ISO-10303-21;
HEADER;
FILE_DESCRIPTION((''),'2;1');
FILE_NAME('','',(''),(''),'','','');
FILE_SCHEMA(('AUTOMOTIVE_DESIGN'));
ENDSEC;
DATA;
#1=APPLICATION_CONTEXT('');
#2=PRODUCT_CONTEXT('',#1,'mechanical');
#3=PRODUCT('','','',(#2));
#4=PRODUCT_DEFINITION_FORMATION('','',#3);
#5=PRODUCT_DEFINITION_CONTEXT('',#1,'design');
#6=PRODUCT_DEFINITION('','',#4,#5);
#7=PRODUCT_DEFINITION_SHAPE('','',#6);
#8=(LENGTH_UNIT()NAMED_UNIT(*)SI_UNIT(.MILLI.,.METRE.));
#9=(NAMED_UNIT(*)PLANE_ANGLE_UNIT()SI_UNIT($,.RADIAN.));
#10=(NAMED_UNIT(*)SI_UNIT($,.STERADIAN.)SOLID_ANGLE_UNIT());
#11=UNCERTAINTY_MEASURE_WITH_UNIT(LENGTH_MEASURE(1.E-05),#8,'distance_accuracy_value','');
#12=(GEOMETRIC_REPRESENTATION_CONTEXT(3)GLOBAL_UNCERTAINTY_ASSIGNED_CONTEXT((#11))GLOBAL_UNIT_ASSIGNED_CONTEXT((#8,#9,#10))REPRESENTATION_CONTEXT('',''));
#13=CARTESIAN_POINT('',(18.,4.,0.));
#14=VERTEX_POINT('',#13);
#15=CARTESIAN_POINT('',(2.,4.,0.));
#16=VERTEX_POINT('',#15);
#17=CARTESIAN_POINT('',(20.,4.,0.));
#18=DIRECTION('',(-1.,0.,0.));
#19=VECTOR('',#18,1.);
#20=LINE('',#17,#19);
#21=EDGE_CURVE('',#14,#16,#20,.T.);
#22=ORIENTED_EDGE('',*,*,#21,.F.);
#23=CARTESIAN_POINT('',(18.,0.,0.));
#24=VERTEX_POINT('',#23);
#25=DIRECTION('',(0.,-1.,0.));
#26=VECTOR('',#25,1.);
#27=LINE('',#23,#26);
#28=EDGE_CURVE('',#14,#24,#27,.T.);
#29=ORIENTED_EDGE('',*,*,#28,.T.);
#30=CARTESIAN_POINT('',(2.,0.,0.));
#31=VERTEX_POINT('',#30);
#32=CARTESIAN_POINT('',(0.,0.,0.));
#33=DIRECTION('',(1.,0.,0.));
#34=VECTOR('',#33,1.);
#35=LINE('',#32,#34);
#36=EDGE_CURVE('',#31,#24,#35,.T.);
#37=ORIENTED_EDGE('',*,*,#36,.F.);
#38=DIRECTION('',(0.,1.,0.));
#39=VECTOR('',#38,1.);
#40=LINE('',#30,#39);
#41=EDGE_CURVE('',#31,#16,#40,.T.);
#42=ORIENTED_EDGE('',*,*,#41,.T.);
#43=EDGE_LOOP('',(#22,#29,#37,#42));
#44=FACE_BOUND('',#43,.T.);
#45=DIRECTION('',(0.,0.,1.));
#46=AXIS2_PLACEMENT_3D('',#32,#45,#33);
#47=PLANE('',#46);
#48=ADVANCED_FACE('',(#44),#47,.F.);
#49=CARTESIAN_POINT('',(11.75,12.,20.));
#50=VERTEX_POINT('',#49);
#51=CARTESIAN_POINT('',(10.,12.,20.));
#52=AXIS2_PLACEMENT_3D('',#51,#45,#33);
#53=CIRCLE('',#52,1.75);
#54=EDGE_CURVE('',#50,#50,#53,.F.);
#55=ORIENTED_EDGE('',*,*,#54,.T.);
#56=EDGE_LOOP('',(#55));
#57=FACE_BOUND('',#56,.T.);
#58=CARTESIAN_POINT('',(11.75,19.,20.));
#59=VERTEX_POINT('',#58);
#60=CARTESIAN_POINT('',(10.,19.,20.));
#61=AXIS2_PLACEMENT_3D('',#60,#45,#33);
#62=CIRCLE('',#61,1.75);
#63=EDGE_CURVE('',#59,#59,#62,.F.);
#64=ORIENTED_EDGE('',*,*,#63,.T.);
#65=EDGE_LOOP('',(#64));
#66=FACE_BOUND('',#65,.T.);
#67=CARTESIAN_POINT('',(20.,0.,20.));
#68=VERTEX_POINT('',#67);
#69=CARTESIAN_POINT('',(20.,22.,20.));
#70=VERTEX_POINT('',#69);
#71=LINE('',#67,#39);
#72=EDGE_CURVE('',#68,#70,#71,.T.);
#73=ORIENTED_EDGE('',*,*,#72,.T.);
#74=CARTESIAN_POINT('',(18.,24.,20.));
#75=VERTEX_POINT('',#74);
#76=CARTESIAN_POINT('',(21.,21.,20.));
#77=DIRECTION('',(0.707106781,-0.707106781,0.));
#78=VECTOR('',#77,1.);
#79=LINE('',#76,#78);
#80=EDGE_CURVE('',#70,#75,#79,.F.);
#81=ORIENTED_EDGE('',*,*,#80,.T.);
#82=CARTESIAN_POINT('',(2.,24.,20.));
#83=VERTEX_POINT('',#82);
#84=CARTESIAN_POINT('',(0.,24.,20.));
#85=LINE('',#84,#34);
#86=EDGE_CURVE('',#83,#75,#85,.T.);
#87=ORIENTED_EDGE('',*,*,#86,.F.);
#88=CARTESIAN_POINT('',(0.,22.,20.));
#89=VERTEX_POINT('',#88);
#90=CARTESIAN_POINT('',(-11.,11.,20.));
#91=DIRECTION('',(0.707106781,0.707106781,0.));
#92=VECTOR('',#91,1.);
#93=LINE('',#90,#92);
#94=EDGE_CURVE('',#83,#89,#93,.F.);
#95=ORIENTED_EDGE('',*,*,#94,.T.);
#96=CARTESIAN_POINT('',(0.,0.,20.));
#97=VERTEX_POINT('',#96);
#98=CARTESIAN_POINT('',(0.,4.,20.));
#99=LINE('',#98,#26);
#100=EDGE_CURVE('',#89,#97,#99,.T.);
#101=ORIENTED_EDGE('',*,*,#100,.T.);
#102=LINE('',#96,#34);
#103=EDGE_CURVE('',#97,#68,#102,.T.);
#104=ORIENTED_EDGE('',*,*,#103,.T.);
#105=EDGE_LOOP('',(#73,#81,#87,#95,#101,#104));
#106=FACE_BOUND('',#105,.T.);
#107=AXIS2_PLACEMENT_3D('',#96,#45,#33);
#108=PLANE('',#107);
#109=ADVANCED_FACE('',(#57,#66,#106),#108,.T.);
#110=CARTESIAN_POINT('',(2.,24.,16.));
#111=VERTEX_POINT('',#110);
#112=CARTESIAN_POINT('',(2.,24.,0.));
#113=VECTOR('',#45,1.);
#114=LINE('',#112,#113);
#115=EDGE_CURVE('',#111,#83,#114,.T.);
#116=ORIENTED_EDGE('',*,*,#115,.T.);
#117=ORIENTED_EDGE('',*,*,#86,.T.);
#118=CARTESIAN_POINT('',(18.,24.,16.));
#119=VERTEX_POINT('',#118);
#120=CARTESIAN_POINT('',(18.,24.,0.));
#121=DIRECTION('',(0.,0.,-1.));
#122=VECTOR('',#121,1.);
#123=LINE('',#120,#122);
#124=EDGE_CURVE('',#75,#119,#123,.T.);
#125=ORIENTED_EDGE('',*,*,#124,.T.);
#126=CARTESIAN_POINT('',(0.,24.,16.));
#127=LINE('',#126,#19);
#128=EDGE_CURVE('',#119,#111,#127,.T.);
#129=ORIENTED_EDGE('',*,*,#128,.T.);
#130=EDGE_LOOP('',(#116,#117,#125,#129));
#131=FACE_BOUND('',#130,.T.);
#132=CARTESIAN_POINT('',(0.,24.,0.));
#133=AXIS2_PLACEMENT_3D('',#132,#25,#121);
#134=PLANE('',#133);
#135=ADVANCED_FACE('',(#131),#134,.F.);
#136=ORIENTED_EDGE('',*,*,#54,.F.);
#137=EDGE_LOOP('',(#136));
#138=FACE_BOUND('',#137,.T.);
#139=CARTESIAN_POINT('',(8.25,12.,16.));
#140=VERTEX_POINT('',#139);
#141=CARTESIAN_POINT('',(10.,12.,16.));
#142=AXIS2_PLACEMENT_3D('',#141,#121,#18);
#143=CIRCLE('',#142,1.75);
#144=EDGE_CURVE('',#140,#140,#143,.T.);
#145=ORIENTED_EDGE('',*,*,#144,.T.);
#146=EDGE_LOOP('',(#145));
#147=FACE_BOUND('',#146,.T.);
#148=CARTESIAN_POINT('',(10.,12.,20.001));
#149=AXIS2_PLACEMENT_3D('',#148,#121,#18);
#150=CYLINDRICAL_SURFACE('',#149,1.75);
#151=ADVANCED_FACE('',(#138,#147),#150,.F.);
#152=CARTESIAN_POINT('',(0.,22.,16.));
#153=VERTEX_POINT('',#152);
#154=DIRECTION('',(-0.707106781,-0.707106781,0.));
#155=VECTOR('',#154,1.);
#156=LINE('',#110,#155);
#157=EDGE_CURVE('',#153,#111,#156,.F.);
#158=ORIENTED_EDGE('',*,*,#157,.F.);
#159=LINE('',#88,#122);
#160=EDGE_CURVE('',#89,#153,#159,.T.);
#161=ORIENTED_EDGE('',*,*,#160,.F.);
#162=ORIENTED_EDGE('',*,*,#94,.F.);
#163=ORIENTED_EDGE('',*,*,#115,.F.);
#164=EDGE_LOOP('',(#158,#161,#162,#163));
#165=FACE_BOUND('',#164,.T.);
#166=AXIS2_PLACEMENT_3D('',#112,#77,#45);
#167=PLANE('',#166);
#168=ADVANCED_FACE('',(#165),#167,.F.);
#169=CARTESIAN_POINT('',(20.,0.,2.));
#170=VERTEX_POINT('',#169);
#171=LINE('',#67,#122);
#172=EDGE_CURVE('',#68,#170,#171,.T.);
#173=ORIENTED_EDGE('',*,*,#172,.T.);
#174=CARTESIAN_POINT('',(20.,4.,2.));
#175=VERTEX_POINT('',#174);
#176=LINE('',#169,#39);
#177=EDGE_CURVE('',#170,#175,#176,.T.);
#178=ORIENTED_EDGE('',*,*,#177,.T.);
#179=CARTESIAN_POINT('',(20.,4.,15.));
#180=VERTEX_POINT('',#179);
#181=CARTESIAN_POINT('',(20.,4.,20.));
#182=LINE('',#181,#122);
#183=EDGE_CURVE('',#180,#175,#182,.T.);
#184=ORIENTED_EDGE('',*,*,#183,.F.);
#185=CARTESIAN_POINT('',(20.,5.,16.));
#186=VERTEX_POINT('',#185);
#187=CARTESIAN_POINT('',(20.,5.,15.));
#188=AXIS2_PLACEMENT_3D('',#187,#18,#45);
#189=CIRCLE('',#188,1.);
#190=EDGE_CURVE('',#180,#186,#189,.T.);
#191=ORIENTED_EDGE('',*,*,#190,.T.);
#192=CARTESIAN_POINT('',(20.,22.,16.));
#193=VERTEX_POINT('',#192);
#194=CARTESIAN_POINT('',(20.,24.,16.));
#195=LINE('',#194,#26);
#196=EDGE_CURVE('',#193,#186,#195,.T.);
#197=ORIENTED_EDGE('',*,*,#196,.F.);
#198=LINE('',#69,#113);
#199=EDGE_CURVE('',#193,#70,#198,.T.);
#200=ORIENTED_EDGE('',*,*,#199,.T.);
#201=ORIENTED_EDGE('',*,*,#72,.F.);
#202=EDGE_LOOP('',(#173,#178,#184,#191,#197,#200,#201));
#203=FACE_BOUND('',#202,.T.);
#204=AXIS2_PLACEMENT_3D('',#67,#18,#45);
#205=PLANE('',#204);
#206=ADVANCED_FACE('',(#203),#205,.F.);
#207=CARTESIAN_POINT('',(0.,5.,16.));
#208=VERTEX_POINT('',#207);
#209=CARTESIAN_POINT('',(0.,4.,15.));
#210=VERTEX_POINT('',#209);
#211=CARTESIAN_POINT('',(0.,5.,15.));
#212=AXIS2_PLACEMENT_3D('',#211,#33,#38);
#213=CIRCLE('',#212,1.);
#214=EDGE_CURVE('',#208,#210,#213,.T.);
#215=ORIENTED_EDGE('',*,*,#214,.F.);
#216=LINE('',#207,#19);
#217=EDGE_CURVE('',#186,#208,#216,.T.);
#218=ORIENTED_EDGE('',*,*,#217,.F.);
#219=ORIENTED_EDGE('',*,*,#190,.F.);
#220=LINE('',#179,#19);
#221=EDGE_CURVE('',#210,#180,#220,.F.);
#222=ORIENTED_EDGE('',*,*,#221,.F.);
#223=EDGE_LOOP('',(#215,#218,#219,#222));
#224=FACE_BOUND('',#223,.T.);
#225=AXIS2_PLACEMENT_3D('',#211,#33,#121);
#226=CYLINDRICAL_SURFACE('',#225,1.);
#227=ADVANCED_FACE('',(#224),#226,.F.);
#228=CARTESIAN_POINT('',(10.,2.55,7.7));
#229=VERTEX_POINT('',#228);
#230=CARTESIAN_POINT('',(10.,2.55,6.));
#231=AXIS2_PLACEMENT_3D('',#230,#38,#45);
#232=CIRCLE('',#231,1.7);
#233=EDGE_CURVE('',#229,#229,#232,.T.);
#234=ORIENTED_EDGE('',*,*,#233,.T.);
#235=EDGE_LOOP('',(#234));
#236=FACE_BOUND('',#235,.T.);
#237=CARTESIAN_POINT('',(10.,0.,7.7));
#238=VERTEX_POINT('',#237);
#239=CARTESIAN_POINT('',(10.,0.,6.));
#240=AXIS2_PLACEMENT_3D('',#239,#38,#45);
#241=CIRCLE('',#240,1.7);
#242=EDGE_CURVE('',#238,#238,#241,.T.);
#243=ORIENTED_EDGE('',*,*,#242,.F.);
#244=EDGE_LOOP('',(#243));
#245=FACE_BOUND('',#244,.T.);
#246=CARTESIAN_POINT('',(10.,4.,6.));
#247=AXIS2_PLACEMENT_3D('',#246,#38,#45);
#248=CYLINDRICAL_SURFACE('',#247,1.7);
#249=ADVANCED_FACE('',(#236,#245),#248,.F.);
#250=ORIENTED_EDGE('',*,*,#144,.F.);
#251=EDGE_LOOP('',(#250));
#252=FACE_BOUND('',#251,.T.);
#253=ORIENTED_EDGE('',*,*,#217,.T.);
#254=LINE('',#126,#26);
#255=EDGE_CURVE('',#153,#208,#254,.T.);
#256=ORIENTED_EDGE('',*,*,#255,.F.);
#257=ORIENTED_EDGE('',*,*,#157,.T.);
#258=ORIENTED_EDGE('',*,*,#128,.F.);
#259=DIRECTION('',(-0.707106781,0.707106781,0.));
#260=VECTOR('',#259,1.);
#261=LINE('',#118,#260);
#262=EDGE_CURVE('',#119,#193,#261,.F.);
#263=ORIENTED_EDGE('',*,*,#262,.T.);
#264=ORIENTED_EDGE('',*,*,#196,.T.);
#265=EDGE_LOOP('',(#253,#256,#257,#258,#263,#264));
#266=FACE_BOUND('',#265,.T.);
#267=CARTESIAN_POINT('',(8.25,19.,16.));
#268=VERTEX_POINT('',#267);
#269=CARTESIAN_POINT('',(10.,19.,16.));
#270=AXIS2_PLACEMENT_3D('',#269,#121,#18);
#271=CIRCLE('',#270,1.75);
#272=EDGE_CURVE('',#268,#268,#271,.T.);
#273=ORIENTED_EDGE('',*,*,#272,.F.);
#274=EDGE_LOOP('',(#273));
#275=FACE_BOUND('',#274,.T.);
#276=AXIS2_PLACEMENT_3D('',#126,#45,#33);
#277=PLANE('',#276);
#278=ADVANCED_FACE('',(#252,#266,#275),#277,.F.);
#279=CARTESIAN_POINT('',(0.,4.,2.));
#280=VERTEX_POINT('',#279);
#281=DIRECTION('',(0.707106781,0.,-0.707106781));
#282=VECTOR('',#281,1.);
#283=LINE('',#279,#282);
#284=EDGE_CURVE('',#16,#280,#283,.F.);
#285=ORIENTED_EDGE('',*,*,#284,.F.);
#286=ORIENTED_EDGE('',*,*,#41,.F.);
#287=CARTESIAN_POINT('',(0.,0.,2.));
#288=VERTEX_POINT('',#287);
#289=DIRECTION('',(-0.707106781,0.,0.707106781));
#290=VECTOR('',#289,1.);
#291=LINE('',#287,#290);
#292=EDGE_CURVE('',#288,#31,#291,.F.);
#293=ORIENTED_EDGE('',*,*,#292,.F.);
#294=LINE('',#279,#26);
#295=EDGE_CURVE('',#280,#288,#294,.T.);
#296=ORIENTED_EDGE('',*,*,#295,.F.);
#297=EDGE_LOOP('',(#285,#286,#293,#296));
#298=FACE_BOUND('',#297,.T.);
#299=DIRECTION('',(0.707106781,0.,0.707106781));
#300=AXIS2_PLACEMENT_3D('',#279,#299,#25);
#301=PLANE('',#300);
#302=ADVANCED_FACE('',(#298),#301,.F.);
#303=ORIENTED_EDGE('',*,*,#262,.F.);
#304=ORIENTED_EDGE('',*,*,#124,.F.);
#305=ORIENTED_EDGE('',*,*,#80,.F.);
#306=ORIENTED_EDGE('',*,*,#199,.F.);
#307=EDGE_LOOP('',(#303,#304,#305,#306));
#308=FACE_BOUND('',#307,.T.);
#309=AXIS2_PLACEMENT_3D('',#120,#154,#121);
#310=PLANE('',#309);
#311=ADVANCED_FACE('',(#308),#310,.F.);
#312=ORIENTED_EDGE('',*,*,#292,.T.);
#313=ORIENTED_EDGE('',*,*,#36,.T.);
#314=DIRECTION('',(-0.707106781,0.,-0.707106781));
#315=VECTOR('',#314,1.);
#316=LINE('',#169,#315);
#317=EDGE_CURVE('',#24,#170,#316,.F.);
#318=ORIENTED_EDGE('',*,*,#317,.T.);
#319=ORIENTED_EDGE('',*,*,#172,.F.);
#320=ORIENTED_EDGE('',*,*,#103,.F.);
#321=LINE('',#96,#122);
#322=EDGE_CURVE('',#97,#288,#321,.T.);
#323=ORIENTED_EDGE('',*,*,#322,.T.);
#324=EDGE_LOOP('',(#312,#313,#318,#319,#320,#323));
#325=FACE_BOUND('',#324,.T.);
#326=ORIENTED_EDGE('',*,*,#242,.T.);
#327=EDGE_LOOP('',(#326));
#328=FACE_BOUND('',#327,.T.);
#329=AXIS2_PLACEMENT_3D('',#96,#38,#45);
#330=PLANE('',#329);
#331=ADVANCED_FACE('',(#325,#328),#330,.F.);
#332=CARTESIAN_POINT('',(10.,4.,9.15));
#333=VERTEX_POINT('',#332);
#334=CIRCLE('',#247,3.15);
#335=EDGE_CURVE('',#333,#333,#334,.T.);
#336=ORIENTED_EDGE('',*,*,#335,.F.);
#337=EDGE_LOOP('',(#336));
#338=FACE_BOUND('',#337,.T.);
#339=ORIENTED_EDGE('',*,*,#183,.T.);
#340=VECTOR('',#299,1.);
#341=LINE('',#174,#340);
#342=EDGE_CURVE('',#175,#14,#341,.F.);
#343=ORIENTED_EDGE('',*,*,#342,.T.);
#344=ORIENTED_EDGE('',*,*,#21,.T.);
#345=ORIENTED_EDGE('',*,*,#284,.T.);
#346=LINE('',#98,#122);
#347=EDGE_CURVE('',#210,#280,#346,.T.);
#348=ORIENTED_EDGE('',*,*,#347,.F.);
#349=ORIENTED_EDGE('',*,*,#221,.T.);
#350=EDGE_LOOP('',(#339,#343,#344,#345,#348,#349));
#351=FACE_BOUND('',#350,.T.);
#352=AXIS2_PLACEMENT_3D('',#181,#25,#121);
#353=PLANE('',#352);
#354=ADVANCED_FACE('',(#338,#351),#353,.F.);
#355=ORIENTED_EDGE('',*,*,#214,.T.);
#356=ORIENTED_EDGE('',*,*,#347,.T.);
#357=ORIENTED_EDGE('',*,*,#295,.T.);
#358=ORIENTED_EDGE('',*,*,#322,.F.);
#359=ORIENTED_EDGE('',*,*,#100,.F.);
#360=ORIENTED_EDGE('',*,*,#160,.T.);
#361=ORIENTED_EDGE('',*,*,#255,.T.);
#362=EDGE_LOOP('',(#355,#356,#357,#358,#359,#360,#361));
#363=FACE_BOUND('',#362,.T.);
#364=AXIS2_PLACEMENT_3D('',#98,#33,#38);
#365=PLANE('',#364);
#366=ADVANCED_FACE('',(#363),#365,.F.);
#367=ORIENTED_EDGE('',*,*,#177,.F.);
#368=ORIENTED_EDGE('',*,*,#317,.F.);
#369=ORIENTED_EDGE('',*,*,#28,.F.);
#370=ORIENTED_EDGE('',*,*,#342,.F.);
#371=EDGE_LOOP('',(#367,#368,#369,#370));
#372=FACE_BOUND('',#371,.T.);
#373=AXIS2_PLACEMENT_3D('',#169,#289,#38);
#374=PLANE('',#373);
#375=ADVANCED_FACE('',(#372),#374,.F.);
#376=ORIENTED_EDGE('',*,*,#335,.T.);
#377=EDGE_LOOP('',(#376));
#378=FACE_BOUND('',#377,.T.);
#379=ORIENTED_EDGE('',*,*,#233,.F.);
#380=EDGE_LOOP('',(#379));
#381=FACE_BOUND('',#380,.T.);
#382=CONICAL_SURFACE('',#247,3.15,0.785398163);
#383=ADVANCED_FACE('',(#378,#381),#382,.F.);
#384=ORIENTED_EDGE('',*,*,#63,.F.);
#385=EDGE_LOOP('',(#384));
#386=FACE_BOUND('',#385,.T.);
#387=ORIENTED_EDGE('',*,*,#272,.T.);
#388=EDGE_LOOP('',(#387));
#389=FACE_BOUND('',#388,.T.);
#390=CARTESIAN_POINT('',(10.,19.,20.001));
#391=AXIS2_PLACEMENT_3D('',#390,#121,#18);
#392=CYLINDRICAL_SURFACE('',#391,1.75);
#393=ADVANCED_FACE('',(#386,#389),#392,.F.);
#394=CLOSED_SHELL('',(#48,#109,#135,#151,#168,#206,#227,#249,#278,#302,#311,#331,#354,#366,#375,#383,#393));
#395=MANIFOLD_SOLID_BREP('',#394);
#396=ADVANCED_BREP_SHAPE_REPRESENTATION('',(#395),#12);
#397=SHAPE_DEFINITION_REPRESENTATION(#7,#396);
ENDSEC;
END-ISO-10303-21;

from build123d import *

# Parameters (mm, degrees)
SCHIZZO1_W                                      = 20
SCHIZZO1_H                                      = 4
ESTRUSIONE_ESTRUSIONE1_DEPTH                    = 20
SCHIZZO2_W                                      = 20
SCHIZZO2_H                                      = 4
ESTRUSIONE_ESTRUSIONE2_DEPTH                    = 20
TAGLIO_ESTRUSIONE2_REACH                        = 6
SCHIZZO7_R                                      = 1.75
RACCORDO1_R                                     = 1
SMUSSO1_SIZE                                    = 2
SMUSSO3_SIZE                                    = 2
CSK_FOR_M3_OVAL_HEAD_MACHINE_SCREW1_D           = 3.4
CSK_FOR_M3_OVAL_HEAD_MACHINE_SCREW1_CSINK_D     = 6.3
CSK_FOR_M3_OVAL_HEAD_MACHINE_SCREW1_CSINK_ANGLE = 90


with BuildPart() as part:
    # Schizzo1 → Estrusione-Estrusione1 (new body)
    with BuildSketch(Plane.XY):
        with Locations((10, 2)):
            Rectangle(SCHIZZO1_W, SCHIZZO1_H)
    extrude(amount=ESTRUSIONE_ESTRUSIONE1_DEPTH)

    # Schizzo2 → Estrusione-Estrusione2 (add)
    with BuildSketch(Plane(origin=(0, 4, 0), x_dir=(1, 0, 0), z_dir=(0, 1, 0))):
        with Locations((10, -18)):
            Rectangle(SCHIZZO2_W, SCHIZZO2_H)
    extrude(amount=ESTRUSIONE_ESTRUSIONE2_DEPTH)

    # Schizzo7 → Taglio-Estrusione2 (cut, up to next)
    with BuildSketch(Plane(origin=(0, 0, 16), x_dir=(-1, 0, 0), z_dir=(0, 0, -1)), mode=Mode.PRIVATE) as taglio_estrusione2_sk1:
        with Locations((-10, 19)):
            Circle(SCHIZZO7_R)
    taglio_estrusione2_tool1 = extrude(taglio_estrusione2_sk1.sketch, amount=-TAGLIO_ESTRUSIONE2_REACH, mode=Mode.PRIVATE) & part.part
    add(taglio_estrusione2_tool1.solids().sort_by_distance((10, 19, 16))[0], mode=Mode.SUBTRACT)
    # Schizzo7 → Taglio-Estrusione2 (cut, up to next)
    with BuildSketch(Plane(origin=(0, 0, 16), x_dir=(-1, 0, 0), z_dir=(0, 0, -1)), mode=Mode.PRIVATE) as taglio_estrusione2_sk2:
        with Locations((-10, 12)):
            Circle(SCHIZZO7_R)
    taglio_estrusione2_tool2 = extrude(taglio_estrusione2_sk2.sketch, amount=-TAGLIO_ESTRUSIONE2_REACH, mode=Mode.PRIVATE) & part.part
    add(taglio_estrusione2_tool2.solids().sort_by_distance((10, 12, 16))[0], mode=Mode.SUBTRACT)

    # Raccordo1
    raccordo1_edges = [part.edges().sort_by_distance(p)[0] for p in [
        (10, 4, 16),
    ]]
    fillet(raccordo1_edges, radius=RACCORDO1_R)

    # Smusso1
    smusso1_edges = [part.edges().sort_by_distance(p)[0] for p in [
        (0, 24, 18),
        (20, 24, 18),
    ]]
    chamfer(smusso1_edges, length=SMUSSO1_SIZE)

    # Smusso3
    smusso3_edges = [part.edges().sort_by_distance(p)[0] for p in [
        (20, 2, 0),
        (0, 2, 0),
    ]]
    chamfer(smusso3_edges, length=SMUSSO3_SIZE)

    # CSK for M3 Oval Head Machine Screw1 (through all)
    with Locations(Plane(origin=(10, 4, 6), x_dir=(0, 0, 1), z_dir=(0, 1, 0))):
        with Locations((0, 0)):
            CounterSinkHole(CSK_FOR_M3_OVAL_HEAD_MACHINE_SCREW1_D / 2, CSK_FOR_M3_OVAL_HEAD_MACHINE_SCREW1_CSINK_D / 2, counter_sink_angle=CSK_FOR_M3_OVAL_HEAD_MACHINE_SCREW1_CSINK_ANGLE)


solid = part.part
